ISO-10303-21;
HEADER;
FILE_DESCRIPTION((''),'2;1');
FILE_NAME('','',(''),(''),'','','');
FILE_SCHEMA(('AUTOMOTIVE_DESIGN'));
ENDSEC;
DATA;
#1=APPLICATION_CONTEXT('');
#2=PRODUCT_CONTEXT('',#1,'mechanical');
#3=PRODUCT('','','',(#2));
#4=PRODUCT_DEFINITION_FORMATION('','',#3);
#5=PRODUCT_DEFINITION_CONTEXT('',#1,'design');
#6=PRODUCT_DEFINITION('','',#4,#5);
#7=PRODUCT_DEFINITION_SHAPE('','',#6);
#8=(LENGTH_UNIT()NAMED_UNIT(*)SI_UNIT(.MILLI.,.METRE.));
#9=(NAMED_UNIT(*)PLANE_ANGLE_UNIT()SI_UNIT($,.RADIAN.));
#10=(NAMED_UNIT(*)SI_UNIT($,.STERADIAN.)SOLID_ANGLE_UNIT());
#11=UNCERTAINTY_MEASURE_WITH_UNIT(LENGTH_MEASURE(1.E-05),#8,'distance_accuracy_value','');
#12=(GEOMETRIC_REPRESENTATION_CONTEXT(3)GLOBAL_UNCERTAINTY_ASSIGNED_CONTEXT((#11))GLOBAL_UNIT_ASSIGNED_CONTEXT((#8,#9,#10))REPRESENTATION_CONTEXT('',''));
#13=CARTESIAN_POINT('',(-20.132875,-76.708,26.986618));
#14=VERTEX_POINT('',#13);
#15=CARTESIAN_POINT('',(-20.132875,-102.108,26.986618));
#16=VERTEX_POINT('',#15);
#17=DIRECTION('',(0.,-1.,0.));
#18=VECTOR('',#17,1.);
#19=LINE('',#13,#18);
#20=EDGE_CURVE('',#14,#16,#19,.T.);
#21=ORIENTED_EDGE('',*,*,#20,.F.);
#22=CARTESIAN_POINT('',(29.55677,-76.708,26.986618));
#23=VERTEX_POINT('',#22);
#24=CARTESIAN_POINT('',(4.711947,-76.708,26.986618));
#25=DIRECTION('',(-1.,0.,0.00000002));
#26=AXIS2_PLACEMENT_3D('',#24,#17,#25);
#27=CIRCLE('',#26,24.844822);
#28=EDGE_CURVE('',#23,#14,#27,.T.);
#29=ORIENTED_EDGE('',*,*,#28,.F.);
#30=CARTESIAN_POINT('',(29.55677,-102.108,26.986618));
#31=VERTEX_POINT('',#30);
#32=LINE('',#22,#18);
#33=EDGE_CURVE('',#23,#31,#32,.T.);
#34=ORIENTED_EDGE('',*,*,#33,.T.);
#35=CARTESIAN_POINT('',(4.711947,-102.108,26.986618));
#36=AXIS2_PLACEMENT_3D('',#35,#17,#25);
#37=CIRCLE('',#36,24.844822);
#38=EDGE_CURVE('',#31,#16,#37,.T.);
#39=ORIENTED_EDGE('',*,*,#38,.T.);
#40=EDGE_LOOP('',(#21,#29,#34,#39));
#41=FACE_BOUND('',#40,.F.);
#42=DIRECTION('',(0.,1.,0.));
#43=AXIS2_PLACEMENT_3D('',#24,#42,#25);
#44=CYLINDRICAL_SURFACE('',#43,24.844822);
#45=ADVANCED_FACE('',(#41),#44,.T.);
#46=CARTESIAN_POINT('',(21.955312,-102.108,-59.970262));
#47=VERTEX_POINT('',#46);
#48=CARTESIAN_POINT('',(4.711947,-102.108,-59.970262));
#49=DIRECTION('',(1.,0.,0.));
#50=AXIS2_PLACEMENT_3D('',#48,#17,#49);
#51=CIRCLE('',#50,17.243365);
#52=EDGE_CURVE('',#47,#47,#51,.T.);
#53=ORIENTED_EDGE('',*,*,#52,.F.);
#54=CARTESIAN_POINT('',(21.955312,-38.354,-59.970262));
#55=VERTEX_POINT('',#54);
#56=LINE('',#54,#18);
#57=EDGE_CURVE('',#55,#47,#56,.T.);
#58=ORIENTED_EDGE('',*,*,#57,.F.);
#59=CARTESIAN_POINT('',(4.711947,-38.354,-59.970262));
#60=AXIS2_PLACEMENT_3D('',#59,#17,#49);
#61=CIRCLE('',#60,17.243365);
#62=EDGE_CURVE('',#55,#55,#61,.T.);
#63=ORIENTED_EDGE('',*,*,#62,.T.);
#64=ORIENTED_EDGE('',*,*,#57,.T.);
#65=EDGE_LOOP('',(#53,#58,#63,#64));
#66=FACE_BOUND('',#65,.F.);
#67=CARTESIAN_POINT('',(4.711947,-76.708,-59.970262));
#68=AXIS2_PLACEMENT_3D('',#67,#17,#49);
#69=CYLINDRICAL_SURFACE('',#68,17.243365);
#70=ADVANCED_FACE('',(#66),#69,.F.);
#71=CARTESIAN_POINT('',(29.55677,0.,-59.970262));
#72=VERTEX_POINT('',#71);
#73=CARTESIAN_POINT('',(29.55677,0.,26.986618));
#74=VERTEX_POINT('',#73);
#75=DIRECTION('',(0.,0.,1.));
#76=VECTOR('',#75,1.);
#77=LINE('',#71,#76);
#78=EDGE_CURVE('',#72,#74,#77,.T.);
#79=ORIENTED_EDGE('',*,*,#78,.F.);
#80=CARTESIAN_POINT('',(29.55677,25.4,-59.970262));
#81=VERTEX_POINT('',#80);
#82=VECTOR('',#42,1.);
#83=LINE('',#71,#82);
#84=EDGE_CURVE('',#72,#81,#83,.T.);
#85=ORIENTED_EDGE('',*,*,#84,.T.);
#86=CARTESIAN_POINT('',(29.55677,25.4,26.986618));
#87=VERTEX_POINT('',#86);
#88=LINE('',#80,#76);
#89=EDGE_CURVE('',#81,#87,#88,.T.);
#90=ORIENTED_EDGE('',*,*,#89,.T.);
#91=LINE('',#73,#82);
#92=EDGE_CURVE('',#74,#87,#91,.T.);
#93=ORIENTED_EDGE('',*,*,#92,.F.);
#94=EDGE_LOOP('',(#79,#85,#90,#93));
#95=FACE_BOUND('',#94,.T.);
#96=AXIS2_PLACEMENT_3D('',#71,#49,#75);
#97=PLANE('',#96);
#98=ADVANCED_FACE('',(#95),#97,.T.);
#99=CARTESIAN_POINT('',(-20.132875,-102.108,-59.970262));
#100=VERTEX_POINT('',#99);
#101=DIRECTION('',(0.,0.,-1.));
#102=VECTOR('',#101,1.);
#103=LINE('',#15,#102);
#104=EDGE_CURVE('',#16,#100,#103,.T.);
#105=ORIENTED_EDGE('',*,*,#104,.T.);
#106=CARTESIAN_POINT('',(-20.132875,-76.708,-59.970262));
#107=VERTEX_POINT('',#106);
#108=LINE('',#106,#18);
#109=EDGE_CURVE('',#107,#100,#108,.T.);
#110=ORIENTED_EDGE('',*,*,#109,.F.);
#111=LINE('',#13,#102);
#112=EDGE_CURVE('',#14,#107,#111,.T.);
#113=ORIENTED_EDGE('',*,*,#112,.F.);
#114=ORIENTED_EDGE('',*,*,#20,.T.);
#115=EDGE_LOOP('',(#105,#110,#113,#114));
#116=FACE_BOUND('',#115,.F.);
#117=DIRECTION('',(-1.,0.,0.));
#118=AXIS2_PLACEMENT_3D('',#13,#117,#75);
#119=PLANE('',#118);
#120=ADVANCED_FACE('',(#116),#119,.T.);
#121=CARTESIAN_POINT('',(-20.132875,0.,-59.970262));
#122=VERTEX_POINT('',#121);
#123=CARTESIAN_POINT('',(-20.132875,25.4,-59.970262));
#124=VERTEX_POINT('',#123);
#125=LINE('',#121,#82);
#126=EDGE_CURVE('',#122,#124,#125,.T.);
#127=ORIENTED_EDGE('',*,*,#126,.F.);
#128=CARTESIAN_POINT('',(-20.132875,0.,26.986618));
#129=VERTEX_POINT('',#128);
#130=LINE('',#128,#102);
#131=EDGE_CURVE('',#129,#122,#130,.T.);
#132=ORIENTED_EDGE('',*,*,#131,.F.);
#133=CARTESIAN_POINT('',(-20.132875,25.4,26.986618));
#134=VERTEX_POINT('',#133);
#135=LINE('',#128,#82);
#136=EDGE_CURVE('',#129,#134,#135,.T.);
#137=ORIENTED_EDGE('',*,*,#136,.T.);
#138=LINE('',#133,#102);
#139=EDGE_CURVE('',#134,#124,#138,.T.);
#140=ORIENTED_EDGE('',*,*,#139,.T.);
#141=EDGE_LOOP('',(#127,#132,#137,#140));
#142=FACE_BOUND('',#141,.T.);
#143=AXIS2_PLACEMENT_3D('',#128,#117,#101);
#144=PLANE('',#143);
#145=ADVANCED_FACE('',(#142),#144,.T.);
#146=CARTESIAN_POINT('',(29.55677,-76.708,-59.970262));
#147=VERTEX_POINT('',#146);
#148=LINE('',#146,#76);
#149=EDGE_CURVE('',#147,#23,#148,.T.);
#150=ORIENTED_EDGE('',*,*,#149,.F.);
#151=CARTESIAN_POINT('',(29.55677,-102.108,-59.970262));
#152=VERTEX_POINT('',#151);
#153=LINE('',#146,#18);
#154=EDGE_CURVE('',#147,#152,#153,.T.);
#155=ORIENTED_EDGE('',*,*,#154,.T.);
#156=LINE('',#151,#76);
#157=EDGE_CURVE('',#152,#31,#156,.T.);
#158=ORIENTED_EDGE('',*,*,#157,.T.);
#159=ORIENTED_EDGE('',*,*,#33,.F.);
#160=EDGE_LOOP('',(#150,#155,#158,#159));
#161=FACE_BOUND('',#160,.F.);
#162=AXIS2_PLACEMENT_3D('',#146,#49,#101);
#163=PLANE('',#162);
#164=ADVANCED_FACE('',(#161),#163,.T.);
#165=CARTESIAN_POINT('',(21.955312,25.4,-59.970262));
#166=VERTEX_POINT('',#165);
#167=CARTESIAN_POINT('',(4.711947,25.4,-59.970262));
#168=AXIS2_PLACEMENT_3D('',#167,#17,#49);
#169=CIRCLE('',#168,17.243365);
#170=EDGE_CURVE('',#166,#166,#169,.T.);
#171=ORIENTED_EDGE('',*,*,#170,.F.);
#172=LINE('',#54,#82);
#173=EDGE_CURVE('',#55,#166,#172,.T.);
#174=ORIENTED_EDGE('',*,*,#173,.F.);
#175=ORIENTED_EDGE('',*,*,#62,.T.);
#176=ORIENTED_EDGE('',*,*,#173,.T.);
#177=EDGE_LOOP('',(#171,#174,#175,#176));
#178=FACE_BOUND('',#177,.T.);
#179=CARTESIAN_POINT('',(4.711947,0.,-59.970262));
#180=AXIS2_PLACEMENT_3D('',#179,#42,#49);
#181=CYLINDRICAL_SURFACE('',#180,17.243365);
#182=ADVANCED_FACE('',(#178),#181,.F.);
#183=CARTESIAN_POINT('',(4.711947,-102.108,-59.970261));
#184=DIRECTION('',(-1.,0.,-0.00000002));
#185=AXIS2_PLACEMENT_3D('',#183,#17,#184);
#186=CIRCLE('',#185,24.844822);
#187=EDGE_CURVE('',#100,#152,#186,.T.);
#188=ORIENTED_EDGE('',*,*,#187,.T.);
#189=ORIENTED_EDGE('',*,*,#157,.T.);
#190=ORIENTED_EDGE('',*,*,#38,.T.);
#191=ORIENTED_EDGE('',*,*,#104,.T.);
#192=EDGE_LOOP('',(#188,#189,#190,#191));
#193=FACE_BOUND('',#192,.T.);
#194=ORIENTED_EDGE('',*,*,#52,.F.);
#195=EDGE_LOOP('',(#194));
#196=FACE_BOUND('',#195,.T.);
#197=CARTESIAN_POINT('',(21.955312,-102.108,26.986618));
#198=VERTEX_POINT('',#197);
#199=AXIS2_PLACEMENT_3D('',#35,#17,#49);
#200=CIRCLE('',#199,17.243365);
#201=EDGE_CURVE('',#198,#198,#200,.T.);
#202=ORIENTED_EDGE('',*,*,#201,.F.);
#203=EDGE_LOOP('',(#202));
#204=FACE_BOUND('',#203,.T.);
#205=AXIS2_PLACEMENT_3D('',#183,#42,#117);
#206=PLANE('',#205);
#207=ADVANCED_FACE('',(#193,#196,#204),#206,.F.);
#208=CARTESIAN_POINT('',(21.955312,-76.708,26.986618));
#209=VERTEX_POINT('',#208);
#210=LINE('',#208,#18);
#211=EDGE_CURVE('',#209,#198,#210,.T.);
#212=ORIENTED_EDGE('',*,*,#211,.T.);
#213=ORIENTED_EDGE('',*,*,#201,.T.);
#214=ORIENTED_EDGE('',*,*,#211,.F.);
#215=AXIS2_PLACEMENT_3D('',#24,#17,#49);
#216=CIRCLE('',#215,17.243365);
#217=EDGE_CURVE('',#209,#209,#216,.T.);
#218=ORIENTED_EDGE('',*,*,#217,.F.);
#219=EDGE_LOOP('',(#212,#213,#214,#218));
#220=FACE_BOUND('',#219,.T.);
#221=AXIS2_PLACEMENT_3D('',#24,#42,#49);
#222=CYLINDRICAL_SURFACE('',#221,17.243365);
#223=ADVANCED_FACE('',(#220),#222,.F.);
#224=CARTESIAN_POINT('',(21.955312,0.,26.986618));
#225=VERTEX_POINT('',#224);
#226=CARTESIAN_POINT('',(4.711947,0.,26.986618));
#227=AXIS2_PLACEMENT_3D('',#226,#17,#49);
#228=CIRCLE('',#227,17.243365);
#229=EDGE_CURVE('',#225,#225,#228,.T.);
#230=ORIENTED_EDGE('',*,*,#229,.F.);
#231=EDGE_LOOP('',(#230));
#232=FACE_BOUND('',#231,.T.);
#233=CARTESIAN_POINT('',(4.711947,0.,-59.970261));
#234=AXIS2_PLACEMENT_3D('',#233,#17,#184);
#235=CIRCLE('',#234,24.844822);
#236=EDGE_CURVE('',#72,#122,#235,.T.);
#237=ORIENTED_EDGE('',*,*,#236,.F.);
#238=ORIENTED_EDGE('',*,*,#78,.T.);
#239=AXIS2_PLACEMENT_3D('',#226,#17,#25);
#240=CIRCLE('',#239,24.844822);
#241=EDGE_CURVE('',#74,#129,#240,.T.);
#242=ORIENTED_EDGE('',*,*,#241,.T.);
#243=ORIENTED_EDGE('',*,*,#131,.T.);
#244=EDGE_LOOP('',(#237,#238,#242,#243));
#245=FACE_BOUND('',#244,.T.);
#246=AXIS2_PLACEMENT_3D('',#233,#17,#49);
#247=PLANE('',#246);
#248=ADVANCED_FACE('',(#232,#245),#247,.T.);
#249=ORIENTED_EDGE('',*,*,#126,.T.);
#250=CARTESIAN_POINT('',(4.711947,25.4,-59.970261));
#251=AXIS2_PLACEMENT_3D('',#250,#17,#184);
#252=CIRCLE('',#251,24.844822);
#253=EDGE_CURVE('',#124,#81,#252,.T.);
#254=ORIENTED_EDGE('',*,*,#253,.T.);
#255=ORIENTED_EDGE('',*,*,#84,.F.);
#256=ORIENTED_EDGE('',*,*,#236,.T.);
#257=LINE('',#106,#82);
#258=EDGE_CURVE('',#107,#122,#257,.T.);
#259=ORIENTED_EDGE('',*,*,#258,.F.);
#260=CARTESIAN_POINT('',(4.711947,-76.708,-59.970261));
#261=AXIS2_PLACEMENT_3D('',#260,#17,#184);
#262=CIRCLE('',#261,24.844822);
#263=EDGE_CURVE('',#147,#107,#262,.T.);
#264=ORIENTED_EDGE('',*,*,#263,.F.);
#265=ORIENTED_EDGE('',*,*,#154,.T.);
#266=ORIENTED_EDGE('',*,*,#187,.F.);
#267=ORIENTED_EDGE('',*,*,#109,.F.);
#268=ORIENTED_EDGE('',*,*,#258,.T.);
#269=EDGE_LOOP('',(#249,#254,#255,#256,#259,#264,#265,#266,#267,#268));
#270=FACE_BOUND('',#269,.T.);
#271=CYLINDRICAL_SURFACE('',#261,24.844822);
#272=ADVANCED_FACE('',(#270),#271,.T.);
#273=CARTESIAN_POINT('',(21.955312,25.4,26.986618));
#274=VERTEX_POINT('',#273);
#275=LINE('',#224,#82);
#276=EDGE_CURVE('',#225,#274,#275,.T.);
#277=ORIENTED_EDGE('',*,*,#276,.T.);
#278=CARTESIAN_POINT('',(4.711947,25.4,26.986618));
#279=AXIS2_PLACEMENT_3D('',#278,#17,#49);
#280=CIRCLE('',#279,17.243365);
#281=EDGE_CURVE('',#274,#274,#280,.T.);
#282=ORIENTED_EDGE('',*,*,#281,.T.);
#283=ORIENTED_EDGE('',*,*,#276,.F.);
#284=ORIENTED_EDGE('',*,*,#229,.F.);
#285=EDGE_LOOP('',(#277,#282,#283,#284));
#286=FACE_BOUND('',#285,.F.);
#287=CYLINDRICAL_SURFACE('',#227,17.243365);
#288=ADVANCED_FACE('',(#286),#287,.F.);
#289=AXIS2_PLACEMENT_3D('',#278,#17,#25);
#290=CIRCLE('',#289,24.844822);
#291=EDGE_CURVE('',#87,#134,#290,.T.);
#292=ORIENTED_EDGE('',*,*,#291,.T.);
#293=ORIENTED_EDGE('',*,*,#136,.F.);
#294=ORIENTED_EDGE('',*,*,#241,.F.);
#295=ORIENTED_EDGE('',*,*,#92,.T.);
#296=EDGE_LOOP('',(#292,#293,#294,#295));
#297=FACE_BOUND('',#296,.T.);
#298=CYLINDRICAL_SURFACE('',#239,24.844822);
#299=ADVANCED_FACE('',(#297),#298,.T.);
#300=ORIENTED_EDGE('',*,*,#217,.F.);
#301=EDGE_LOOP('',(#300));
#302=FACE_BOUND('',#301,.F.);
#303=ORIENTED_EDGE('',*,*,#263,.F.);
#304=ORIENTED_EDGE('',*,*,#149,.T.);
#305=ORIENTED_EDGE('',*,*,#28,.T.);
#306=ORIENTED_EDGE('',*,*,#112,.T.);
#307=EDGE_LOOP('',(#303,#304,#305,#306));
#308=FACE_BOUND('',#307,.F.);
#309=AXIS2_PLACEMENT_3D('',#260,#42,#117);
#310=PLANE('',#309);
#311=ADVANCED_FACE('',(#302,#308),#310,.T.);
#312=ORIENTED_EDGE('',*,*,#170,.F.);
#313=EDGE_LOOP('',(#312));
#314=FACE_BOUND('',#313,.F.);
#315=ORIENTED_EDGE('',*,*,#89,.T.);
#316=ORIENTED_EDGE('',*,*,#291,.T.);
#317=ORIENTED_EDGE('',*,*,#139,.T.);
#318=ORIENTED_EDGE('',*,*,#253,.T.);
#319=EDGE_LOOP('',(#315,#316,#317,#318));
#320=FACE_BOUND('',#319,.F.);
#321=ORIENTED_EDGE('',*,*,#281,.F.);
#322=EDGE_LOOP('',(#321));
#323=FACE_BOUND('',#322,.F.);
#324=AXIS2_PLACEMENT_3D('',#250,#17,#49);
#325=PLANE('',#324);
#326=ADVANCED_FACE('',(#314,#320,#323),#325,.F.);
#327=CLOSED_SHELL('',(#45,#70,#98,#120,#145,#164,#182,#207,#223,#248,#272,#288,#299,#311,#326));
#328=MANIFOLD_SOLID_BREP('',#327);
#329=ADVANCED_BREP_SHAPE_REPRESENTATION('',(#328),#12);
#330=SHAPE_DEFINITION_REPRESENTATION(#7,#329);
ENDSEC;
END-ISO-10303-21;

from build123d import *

# Parameters (mm, degrees)
F0_R     = 17.243365
F1_DEPTH = 25.4
F2_DEPTH = 38.354


with BuildPart() as f1:
    # F0 (on Front) → F1 (new body)
    with BuildSketch(Plane.XZ):
        with BuildLine():
            ThreePointArc((29.55677, -59.970262), (4.711947, -35.125439), (-20.132875, -59.970262))
            ThreePointArc((-20.132875, -59.970262), (4.711947, -84.815084), (29.55677, -59.970262))
        make_face()
        with Locations((4.711947, -59.970262)):
            Circle(F0_R, mode=Mode.SUBTRACT)
        with BuildLine():
            ThreePointArc((29.55677, 26.986618), (4.711947, 2.141795), (-20.132875, 26.986618))
            Line((-20.132875, 26.986618), (-20.132875, -59.970262))
            ThreePointArc((-20.132875, -59.970262), (4.711947, -35.125439), (29.55677, -59.970262))
            Line((29.55677, -59.970262), (29.55677, 26.986618))
        make_face()
        with BuildLine():
            ThreePointArc((29.55677, 26.986618), (4.711947, 51.83144), (-20.132875, 26.986618))
            ThreePointArc((-20.132875, 26.986618), (4.711947, 2.141795), (29.55677, 26.986618))
        make_face()
        with Locations((4.711947, 26.986618)):
            Circle(F0_R, mode=Mode.SUBTRACT)
    extrude(amount=-F1_DEPTH)

    # F0 (on Front) → F2 (join)
    with BuildSketch(Plane.XZ):
        with BuildLine():
            ThreePointArc((29.55677, -59.970262), (4.711947, -35.125439), (-20.132875, -59.970262))
            ThreePointArc((-20.132875, -59.970262), (4.711947, -84.815084), (29.55677, -59.970262))
        make_face()
        with Locations((4.711947, -59.970262)):
            Circle(F0_R, mode=Mode.SUBTRACT)
    extrude(amount=F2_DEPTH)

    # F3: F1 across face


with BuildPart() as f1_1:
    add(f1.part)
    add(f1.part.mirror(Plane(origin=(4.711947, -38.354, -59.970262), x_dir=(1, 0, 0), z_dir=(0, -1, 0))))


solid = f1_1.part
